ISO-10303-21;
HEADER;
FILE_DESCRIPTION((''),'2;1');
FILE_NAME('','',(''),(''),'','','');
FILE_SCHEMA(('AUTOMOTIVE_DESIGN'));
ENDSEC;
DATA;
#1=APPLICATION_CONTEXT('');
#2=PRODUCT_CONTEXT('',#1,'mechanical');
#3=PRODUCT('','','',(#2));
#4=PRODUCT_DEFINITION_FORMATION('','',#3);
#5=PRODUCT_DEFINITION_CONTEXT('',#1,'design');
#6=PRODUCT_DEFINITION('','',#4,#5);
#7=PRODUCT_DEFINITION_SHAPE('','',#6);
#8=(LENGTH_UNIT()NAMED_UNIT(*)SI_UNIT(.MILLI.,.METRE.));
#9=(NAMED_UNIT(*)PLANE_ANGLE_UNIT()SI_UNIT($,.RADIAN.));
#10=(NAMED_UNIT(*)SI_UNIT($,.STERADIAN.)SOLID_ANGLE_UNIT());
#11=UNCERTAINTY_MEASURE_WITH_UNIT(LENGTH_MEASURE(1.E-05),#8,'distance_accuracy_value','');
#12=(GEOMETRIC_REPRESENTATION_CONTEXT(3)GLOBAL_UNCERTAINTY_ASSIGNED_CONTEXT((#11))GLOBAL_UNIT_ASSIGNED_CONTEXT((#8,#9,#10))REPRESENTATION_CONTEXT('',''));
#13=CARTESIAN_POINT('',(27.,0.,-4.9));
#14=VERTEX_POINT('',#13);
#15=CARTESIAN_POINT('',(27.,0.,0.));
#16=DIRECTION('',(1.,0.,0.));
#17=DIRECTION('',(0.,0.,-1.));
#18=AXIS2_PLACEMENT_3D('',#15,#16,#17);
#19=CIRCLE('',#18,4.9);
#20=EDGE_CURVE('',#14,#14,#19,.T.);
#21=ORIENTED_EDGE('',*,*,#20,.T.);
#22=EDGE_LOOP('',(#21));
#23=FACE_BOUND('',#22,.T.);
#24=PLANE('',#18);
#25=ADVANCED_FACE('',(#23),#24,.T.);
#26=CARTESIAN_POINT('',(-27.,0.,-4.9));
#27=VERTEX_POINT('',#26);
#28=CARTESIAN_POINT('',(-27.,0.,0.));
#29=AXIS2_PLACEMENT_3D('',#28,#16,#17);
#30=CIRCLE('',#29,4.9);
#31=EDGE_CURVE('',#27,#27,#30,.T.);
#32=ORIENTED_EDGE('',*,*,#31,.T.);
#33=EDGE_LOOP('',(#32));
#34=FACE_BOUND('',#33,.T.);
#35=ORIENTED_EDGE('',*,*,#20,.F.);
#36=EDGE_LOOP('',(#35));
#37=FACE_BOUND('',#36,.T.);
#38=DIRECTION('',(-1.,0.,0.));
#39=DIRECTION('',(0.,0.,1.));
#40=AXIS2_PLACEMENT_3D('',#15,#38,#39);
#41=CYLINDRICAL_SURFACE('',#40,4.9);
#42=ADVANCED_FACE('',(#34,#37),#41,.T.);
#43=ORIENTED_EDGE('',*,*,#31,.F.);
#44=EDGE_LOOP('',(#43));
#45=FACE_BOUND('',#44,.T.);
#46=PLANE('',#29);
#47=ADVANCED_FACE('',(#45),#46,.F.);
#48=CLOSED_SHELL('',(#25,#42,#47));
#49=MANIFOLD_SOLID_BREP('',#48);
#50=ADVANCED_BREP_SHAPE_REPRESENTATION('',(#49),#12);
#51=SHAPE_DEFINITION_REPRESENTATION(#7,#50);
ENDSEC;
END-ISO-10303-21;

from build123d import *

# Parameters (mm, degrees)
ESQUISSE1_R        = 4.9
BOSS_EXTRU_1_DEPTH = 27


with BuildPart() as part:
    # Esquisse1 → Boss.-Extru.1 (new body, symmetric)
    with BuildSketch(Plane(origin=(0, 0, 0), x_dir=(0, 0, -1), z_dir=(1, 0, 0))):
        Circle(ESQUISSE1_R)
    extrude(amount=BOSS_EXTRU_1_DEPTH, both=True)


solid = part.part
